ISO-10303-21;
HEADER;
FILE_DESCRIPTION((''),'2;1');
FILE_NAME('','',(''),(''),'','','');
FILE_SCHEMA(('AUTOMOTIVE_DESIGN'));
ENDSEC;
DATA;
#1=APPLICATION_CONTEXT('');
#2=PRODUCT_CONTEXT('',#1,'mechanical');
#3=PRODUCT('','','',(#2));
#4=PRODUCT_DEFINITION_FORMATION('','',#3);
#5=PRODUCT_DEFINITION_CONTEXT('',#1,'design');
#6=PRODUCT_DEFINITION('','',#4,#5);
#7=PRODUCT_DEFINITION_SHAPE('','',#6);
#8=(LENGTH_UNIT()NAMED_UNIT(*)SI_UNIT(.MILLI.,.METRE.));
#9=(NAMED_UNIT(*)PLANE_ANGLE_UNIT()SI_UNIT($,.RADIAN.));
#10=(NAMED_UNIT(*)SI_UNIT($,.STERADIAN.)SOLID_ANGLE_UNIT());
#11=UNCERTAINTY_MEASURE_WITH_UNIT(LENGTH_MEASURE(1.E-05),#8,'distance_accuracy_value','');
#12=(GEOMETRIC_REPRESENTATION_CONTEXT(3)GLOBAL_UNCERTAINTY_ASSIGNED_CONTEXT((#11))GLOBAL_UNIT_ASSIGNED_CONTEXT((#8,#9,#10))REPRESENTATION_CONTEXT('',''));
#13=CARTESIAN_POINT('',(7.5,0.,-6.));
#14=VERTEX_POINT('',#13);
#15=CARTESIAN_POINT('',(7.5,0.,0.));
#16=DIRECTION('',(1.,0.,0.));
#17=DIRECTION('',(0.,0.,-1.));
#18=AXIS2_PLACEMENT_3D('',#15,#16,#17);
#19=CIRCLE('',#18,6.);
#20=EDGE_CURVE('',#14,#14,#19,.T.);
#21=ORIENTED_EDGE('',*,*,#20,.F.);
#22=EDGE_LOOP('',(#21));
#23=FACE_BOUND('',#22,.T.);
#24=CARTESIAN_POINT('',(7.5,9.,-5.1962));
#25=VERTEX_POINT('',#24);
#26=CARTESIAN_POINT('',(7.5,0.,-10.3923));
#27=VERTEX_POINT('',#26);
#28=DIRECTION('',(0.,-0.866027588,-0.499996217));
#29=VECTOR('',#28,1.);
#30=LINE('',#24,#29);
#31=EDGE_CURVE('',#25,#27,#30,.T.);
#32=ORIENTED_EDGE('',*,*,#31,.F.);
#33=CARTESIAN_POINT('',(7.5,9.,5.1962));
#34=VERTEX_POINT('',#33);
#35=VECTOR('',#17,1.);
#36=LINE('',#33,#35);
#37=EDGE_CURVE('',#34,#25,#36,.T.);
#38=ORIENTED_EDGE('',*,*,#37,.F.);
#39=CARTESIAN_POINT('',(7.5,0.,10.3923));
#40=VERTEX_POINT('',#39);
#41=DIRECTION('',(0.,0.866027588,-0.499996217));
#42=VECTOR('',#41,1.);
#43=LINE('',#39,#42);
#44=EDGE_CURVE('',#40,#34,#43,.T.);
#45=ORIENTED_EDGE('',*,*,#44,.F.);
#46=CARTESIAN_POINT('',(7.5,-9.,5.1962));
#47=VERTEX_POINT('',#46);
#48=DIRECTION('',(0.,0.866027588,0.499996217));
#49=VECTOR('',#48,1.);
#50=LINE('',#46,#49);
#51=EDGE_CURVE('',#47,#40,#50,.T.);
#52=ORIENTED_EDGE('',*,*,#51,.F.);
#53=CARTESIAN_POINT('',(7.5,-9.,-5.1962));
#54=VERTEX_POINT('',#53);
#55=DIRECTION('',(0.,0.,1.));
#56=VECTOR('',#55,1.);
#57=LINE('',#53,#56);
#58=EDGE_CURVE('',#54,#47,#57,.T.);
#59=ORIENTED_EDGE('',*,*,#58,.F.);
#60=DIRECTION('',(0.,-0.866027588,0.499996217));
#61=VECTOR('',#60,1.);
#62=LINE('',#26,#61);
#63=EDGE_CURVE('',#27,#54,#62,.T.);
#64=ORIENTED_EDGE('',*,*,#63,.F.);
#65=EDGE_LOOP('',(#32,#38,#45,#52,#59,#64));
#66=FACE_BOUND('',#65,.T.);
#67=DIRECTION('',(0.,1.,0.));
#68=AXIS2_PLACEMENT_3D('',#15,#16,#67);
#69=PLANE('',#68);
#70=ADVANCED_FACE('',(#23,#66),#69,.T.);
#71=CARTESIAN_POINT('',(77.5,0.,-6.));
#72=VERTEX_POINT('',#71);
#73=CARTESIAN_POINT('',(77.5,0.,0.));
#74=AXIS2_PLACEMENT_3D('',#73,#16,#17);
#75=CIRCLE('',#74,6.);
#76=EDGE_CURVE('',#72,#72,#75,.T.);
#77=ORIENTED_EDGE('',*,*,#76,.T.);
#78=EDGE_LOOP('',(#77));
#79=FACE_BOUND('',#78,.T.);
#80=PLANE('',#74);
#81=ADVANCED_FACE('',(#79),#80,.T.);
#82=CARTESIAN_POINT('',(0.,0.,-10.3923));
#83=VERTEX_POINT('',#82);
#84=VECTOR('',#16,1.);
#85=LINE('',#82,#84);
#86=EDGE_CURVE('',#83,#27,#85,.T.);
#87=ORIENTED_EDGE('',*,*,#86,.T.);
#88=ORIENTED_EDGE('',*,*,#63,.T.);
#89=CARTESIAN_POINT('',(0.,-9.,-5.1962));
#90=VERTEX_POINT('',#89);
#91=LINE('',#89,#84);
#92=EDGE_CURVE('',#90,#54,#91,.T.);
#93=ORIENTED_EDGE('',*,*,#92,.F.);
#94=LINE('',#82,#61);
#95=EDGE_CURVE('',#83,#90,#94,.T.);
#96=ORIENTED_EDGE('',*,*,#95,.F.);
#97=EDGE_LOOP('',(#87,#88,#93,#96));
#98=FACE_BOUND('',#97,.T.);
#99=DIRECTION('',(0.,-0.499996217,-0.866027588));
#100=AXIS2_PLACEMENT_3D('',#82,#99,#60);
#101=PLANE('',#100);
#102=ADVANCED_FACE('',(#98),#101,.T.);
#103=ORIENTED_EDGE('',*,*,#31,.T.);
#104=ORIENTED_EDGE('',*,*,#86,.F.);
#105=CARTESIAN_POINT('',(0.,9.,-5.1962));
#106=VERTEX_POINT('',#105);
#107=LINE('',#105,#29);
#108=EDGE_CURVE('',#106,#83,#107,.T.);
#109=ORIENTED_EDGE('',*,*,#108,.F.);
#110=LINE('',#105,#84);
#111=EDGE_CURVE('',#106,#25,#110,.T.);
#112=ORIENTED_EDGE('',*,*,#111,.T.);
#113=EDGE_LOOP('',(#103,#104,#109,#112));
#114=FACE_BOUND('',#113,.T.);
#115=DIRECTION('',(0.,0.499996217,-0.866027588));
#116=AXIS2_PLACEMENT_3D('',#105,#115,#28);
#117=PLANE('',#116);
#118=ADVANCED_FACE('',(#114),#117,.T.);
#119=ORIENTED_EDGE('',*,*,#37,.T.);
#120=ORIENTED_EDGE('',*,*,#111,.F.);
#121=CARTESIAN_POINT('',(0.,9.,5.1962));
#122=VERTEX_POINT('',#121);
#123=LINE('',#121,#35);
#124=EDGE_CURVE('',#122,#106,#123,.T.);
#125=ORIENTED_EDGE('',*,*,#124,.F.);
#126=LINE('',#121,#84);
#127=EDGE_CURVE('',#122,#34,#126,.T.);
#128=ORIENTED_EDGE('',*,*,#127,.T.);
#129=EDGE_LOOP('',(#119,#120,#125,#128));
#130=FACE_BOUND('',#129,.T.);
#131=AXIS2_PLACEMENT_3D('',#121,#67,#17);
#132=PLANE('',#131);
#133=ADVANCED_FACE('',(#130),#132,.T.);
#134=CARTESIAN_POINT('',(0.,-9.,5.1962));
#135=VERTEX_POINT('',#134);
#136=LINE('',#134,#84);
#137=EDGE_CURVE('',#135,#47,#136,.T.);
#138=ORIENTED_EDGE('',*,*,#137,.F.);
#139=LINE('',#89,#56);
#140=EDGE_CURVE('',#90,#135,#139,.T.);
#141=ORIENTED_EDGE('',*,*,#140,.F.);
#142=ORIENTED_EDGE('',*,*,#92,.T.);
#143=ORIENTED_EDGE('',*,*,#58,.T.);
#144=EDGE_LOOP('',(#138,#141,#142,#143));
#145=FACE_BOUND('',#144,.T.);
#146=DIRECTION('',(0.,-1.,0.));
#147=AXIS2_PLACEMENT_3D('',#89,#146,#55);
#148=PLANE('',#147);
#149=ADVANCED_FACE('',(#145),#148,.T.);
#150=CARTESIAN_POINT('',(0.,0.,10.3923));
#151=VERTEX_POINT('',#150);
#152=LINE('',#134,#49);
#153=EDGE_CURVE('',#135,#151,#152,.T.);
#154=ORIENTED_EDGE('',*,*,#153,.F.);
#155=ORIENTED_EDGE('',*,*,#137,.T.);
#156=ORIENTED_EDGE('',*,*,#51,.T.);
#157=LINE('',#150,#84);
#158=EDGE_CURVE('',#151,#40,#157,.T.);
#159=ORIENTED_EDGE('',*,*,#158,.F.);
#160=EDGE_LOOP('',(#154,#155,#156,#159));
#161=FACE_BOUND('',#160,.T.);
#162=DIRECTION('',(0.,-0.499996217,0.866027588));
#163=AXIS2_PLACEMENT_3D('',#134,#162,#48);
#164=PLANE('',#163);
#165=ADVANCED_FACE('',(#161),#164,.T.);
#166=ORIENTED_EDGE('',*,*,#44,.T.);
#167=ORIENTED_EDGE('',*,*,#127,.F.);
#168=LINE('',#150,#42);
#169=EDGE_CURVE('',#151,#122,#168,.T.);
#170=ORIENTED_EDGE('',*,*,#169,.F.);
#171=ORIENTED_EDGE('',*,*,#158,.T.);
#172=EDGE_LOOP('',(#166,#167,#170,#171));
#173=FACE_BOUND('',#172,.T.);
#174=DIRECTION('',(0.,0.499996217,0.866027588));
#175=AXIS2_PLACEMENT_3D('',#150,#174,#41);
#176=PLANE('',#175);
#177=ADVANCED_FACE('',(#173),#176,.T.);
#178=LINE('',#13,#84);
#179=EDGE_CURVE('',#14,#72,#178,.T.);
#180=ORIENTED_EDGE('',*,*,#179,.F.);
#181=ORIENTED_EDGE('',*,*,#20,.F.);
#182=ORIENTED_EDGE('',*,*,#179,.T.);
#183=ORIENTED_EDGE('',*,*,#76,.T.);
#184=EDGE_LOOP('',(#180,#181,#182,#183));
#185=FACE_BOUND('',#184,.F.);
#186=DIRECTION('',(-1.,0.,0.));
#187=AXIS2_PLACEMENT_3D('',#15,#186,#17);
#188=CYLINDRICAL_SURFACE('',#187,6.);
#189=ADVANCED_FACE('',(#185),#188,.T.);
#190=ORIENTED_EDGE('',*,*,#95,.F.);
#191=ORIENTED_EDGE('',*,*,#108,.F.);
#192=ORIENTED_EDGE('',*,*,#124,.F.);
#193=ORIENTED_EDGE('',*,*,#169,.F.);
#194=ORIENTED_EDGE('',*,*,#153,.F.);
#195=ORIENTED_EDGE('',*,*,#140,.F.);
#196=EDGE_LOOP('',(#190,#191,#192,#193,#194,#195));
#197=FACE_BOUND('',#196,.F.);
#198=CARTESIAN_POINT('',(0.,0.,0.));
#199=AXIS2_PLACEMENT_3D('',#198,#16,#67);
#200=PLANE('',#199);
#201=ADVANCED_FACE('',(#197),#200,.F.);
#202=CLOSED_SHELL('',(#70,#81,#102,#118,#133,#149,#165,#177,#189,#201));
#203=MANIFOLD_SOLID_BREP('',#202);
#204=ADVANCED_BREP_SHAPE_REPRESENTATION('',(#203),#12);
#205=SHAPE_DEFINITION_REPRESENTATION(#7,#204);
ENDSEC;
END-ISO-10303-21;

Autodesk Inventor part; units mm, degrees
ref_plane "YZ Plane" through (0, 0, 0) normal (1, 0, 0) x (0, 1, 0)
ref_plane "XZ Plane" through (0, 0, 0) normal (0, 1, 0) x (-1, 0, 0)
ref_plane "XY Plane" through (0, 0, 0) normal (0, 0, 1) x (1, 0, 0)
sketch "Náčrt1" plane through (0, 0, 0) normal (1, 0, 0) x (0, 1, 0)
  line L0 (0, -10.3923) -> (-9, -5.1962)
  line L1 (-9, -5.1962) -> (-9, 5.1962)
  line L2 (-9, 5.1962) -> (0, 10.3923)
  line L3 (0, 10.3923) -> (9, 5.1962)
  line L4 (9, 5.1962) -> (9, -5.1962)
  line L5 (9, -5.1962) -> (0, -10.3923)
  point P0 (0, 0)
  point P1 (0, 0)
  dimension "d0" = 18
extrude "Vysunutí1" add sketch "Náčrt1" along normal blind 7.5
sketch "Náčrt2" plane through (7.5, 0, 0) normal (1, 0, 0) x (0, 0, -1)
  circle A0 centre (0, 0) radius 6
  dimension "d3" = 12
extrude "Vysunutí2" add sketch "Náčrt2" along normal blind 70
thread "Závit1" size "M12x1.75" class "6g" standard "ANSI Metric M Profile" full length
properties part number "Šroub M12x140"
